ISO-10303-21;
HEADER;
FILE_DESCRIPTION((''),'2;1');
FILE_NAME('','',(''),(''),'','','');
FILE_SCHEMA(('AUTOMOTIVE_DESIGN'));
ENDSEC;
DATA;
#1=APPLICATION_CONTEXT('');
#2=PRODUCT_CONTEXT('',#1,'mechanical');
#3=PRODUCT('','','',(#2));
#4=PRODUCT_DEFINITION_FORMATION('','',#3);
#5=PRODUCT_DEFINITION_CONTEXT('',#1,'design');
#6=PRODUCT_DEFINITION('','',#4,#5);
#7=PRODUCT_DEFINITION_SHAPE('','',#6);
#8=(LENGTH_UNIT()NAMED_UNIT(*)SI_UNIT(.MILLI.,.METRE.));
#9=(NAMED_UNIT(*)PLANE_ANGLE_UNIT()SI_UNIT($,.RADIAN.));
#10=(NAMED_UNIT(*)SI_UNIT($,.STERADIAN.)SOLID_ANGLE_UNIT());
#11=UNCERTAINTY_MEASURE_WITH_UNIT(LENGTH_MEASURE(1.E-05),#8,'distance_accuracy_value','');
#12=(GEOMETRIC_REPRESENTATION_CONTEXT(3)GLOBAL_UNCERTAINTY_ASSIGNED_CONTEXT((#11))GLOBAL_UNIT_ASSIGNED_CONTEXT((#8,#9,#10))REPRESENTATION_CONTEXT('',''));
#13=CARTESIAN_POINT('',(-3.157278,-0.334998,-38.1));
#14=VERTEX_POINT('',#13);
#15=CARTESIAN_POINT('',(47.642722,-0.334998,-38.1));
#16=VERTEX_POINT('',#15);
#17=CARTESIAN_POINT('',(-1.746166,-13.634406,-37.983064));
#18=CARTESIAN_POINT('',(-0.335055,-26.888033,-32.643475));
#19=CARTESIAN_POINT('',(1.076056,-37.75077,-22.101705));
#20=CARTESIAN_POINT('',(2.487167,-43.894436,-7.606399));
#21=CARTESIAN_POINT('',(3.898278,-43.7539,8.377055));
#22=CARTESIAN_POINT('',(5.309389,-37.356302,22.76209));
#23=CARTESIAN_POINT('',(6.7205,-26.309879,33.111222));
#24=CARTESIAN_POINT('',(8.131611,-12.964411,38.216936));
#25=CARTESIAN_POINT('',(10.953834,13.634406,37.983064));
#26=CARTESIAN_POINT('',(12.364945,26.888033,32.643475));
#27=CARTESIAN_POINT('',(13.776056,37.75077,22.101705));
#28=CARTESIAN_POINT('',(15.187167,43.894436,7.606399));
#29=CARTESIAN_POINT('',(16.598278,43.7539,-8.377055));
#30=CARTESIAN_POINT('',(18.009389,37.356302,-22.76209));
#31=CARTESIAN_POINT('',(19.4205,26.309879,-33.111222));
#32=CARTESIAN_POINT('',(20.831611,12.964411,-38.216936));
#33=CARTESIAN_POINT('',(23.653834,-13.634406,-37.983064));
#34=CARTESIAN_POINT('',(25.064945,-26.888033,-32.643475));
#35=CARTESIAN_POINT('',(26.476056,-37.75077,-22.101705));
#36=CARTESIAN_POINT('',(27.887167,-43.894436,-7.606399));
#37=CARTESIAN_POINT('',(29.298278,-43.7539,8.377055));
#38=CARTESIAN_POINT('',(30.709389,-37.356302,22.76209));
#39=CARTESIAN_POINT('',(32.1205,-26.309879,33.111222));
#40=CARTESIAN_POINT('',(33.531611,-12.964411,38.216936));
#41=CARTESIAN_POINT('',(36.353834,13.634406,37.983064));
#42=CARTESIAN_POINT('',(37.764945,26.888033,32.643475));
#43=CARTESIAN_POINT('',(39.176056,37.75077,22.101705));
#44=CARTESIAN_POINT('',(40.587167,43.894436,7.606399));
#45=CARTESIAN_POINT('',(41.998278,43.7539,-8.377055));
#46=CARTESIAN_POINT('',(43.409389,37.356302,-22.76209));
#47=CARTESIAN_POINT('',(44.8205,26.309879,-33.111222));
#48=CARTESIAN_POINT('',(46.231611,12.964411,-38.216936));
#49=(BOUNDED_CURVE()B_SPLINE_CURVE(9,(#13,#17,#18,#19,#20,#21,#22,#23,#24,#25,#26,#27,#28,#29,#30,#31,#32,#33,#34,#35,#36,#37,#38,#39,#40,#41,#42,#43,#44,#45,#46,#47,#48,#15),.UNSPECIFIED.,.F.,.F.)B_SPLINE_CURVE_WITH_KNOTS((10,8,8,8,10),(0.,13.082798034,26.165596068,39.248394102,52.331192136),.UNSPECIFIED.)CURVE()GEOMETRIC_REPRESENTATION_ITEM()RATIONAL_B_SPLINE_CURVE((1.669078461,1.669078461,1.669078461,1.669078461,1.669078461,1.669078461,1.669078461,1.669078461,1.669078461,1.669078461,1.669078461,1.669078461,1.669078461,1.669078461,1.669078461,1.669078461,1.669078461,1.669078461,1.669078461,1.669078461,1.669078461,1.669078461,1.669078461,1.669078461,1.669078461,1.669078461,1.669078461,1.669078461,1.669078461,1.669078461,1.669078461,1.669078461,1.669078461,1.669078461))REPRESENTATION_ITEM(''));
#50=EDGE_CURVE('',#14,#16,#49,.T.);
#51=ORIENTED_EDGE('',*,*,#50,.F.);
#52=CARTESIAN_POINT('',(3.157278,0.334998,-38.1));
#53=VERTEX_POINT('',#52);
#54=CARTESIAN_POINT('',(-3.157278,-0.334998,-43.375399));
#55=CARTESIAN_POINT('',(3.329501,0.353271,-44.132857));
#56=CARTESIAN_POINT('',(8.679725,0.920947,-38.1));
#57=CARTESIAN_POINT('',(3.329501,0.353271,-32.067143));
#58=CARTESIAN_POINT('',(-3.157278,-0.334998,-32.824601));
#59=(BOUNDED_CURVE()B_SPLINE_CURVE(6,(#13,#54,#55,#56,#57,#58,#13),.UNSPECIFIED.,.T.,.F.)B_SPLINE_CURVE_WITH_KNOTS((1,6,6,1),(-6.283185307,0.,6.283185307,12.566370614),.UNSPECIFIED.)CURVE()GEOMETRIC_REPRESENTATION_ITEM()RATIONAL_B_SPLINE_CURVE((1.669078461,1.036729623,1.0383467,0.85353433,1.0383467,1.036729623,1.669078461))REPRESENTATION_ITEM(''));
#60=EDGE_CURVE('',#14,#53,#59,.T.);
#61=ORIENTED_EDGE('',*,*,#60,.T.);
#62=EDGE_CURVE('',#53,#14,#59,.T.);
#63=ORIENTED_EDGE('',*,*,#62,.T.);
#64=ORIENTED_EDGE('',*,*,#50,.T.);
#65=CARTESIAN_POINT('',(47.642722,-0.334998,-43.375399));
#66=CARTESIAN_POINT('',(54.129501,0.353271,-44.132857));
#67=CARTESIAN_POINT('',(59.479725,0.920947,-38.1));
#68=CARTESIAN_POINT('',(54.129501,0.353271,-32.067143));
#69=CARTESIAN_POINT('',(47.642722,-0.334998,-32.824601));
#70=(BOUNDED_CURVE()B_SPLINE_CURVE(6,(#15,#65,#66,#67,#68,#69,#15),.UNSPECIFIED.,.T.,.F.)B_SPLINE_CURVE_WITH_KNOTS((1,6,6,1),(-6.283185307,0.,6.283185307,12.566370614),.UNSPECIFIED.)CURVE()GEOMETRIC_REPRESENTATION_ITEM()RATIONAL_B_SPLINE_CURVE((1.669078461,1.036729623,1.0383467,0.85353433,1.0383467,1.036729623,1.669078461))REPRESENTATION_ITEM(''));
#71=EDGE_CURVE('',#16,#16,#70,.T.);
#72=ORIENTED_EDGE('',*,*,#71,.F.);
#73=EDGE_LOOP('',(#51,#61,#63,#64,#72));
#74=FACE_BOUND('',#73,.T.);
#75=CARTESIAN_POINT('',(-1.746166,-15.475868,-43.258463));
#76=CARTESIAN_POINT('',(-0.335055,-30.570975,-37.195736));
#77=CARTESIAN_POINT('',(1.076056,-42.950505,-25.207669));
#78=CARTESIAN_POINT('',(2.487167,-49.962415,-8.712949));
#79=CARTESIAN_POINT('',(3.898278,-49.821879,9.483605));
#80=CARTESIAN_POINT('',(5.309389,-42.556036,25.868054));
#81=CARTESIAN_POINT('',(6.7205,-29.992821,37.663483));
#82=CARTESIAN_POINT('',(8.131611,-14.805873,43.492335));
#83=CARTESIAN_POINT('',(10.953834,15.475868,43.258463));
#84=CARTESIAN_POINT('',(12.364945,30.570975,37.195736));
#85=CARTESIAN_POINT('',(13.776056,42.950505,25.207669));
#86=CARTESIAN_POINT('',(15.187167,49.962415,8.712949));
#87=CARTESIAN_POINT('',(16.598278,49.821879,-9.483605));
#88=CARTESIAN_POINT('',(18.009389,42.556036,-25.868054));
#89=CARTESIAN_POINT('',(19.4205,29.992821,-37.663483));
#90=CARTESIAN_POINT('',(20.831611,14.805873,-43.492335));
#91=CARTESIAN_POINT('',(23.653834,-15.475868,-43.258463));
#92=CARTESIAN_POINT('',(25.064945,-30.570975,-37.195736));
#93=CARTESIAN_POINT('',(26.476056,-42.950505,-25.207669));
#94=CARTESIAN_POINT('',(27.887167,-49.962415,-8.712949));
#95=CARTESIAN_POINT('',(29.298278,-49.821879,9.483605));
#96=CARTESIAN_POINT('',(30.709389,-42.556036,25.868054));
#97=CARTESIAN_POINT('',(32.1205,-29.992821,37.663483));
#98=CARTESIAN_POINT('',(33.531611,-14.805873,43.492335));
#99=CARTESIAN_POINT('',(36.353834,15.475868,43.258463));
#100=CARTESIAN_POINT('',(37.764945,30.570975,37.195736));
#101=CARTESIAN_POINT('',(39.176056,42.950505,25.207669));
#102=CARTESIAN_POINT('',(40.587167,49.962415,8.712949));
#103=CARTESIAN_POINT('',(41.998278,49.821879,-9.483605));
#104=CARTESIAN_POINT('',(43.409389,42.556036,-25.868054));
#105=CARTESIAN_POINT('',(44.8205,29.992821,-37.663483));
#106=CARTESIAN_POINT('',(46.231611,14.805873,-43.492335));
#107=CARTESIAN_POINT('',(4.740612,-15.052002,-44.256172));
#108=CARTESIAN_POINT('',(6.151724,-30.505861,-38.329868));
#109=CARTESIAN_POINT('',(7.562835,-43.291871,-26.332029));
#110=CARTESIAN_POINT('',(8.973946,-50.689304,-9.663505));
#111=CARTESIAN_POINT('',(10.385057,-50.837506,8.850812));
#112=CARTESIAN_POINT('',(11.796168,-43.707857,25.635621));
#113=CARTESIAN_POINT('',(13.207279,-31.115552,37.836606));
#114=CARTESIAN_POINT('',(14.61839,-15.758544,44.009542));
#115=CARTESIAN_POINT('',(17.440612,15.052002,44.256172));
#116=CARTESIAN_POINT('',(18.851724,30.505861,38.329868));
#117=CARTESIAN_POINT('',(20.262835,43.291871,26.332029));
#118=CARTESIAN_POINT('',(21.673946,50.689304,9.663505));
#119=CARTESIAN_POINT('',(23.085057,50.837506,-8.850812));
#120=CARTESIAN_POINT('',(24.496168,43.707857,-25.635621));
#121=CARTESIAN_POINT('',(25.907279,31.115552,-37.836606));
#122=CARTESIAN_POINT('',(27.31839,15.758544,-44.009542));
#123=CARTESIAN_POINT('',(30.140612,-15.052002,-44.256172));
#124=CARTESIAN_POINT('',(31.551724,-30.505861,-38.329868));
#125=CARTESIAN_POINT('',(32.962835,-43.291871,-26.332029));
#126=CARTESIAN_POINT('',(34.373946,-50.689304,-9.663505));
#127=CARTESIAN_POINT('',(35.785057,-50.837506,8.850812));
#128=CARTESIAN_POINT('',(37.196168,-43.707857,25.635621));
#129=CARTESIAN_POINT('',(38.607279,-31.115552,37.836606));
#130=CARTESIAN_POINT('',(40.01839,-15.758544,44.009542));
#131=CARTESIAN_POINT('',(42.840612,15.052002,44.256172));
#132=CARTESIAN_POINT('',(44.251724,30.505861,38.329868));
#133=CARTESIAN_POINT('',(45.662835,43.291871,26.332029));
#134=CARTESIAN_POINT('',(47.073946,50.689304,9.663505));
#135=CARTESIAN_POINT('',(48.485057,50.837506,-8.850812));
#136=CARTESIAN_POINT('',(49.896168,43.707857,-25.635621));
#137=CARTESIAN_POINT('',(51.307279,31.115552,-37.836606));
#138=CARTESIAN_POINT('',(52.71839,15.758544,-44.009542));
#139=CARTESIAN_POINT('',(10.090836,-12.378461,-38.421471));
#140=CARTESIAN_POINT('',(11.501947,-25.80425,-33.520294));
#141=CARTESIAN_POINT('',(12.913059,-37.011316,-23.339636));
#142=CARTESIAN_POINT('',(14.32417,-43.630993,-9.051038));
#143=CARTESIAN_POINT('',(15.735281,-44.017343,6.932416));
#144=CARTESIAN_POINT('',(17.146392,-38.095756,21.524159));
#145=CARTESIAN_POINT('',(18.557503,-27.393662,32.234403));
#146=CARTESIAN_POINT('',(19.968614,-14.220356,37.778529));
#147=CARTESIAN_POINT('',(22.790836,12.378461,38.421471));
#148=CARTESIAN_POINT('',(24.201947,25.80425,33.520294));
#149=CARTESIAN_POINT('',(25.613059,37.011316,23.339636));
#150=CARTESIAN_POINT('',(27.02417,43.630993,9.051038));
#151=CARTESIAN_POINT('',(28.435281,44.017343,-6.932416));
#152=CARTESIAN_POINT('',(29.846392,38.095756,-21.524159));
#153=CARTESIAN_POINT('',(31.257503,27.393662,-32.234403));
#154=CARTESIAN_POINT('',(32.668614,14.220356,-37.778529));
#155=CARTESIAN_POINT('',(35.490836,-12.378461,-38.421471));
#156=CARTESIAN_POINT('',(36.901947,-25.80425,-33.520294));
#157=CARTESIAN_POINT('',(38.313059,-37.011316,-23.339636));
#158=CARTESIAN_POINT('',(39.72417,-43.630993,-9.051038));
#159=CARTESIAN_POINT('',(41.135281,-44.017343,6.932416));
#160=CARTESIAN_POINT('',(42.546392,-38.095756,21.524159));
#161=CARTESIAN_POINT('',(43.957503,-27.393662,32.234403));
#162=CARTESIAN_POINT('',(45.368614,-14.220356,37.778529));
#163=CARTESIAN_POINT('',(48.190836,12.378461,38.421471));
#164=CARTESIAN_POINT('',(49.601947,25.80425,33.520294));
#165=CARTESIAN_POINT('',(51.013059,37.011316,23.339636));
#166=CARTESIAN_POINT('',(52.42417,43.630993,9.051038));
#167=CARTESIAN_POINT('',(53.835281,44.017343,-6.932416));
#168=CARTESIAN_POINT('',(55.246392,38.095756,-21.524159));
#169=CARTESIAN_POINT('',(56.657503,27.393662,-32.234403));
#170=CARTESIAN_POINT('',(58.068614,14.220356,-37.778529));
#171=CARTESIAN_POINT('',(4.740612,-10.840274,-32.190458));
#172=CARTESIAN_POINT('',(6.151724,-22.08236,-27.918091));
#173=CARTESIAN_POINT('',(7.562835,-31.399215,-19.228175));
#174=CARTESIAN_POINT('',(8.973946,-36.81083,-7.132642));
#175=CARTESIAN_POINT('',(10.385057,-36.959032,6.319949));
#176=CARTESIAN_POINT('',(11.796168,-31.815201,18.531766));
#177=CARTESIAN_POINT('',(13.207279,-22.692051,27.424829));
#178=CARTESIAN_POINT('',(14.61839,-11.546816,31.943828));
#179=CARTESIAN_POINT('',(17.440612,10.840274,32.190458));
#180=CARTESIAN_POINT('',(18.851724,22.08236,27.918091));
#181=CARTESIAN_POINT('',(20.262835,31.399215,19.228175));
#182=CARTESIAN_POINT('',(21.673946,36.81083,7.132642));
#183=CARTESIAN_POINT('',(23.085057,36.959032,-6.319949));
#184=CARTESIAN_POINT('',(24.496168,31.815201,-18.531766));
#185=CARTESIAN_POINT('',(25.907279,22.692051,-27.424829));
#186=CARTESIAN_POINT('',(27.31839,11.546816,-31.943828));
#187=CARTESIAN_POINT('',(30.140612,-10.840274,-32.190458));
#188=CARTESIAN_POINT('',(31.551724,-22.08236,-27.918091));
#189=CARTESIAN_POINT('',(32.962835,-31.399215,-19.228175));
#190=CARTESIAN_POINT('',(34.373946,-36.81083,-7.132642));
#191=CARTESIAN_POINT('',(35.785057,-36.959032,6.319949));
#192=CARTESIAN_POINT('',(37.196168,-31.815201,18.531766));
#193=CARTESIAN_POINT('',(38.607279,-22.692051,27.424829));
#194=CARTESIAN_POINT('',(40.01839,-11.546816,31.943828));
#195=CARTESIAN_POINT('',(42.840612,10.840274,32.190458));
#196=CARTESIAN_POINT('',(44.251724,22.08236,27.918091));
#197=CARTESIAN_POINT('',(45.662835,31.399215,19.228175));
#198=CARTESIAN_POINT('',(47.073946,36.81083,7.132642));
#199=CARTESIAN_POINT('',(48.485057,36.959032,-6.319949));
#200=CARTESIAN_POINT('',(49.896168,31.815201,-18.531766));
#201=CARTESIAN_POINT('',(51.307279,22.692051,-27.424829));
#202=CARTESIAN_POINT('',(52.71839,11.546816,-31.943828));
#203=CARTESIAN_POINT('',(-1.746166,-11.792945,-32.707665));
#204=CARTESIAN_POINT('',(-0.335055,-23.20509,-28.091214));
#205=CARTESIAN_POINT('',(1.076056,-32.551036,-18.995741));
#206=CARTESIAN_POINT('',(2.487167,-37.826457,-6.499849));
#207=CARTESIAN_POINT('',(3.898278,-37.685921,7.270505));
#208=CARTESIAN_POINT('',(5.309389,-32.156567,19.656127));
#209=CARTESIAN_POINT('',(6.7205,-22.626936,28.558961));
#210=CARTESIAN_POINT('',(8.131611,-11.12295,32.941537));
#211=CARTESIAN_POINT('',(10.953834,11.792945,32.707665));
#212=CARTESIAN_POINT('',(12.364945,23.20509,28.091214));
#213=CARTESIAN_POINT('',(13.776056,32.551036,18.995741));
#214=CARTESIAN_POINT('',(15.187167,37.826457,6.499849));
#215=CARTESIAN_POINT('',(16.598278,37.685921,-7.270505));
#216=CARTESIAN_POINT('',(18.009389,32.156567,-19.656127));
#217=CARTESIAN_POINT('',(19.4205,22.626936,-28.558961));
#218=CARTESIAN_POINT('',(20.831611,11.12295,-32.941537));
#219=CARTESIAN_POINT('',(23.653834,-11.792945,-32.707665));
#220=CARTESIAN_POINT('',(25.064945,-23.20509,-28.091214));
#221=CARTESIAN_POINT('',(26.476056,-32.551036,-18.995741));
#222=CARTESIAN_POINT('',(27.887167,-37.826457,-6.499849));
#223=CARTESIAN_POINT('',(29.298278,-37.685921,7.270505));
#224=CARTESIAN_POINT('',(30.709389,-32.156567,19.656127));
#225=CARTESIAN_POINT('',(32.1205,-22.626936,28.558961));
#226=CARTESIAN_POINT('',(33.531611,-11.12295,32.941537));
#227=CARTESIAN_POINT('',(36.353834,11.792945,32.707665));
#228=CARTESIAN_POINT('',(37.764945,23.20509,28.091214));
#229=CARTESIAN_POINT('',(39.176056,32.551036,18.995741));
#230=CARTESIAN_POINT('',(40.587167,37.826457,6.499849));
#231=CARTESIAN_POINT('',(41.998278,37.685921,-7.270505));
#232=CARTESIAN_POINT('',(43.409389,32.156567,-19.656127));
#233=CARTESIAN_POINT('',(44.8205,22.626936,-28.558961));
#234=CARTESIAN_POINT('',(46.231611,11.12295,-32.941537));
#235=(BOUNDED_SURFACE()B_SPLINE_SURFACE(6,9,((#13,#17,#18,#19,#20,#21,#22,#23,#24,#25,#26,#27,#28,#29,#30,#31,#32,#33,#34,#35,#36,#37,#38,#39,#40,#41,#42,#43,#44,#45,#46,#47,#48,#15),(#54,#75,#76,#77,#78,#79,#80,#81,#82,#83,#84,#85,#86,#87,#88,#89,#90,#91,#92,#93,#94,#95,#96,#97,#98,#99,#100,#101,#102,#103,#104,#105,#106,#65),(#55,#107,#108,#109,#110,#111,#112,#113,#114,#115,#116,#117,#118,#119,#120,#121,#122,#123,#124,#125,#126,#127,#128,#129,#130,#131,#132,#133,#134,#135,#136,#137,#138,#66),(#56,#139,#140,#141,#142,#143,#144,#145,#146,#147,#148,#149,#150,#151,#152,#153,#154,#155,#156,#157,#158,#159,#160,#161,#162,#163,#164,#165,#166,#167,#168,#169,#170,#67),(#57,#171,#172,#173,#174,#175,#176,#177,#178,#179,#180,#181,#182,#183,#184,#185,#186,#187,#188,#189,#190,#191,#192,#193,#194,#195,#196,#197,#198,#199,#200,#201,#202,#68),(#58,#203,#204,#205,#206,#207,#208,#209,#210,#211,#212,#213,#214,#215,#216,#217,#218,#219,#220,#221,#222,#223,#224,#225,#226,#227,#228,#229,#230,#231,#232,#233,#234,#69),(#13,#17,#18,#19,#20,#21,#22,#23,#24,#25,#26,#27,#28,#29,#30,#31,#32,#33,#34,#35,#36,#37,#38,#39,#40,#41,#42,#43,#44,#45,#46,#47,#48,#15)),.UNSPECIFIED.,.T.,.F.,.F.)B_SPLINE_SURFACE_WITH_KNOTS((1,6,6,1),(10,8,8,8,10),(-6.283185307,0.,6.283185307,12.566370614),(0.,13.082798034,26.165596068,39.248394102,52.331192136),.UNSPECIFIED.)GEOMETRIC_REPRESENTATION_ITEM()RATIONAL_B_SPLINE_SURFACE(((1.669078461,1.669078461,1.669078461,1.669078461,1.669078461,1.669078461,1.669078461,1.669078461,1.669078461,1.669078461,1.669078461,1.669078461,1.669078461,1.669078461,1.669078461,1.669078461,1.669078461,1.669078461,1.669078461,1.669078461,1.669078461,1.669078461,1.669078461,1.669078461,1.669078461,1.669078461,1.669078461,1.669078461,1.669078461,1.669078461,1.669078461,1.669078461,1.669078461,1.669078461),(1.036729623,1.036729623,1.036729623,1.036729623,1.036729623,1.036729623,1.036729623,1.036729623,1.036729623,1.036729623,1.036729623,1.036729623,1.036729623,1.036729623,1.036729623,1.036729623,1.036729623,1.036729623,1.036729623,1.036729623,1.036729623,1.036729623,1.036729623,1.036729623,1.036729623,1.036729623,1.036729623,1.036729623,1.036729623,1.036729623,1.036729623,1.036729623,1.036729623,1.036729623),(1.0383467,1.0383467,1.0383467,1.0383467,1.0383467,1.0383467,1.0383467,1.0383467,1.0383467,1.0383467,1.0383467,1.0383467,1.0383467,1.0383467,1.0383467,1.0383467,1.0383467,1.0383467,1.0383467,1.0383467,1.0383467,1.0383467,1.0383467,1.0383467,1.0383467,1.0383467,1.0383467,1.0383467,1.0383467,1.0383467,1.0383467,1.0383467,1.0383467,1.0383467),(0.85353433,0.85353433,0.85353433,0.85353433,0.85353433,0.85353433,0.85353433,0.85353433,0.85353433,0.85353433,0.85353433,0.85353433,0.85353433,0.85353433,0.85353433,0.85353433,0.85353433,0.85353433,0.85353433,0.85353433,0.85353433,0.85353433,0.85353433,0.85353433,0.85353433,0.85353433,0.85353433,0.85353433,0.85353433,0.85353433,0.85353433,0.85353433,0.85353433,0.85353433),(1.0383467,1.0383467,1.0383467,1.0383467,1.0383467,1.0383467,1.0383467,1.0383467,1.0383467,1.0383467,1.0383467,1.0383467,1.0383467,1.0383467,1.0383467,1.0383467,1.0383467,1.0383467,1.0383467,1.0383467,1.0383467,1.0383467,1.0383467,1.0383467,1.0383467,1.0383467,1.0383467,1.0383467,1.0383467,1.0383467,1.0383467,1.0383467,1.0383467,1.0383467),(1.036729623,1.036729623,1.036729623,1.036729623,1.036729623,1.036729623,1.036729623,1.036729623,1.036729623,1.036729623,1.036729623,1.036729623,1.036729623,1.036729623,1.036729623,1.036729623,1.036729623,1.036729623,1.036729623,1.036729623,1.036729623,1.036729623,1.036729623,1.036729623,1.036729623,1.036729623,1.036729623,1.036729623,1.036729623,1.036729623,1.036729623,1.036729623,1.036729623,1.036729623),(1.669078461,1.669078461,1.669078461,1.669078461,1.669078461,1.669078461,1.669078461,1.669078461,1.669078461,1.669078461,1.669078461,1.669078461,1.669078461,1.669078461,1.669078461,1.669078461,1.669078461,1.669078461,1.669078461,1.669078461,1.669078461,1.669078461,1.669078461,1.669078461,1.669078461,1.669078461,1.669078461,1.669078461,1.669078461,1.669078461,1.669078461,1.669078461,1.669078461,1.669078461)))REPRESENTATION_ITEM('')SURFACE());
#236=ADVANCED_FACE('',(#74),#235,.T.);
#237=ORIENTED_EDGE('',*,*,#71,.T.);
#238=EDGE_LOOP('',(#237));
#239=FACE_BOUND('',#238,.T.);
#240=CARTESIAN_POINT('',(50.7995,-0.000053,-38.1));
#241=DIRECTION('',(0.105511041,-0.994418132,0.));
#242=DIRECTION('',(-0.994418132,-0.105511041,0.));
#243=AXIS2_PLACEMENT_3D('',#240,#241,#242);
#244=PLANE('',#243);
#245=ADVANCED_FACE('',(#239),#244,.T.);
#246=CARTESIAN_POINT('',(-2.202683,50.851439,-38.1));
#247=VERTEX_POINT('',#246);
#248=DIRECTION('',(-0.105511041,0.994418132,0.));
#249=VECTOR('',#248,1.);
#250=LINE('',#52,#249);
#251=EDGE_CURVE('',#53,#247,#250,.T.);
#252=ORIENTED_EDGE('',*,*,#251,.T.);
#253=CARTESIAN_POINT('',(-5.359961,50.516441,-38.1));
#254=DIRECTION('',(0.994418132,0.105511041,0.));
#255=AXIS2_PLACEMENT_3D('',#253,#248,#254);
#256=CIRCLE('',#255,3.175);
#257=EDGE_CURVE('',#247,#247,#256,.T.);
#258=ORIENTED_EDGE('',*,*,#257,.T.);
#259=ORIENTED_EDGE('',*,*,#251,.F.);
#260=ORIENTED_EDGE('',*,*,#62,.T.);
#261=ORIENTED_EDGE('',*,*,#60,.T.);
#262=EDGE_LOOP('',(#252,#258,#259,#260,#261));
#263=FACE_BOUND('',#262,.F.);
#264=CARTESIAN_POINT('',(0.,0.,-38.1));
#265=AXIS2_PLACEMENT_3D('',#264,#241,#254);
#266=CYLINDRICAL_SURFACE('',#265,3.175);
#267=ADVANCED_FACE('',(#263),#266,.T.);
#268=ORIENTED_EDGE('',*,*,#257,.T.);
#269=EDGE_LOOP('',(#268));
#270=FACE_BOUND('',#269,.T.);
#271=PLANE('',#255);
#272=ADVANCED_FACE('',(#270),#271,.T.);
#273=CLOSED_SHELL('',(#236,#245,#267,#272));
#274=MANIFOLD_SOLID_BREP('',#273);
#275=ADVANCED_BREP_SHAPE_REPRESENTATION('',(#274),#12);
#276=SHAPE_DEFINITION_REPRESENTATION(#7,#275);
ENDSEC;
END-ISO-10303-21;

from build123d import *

# Parameters (mm, degrees)
SWEEP1_PITCH        = 25.4
SWEEP1_HEIGHT       = 50.8
SWEEP1_RADIUS       = 38.1
SWEEP1_START_ANGLE  = 180
SWEEP1_PROFILE_R    = 3.175
SKETCH11_R          = 3.175
BOSS_EXTRUDE1_DEPTH = 50.8


with BuildPart() as part:
    # Sweep1: sweep along a helix
    with BuildLine() as sweep1_path:
        add(Helix(SWEEP1_PITCH, SWEEP1_HEIGHT, SWEEP1_RADIUS, center=(0, 0, 0), direction=(1, 0, 0), lefthand=True, mode=Mode.PRIVATE).rotate(Axis((0, 0, 0), (1, 0, 0)), SWEEP1_START_ANGLE))
    # Sweep1 profile (on start of the path) → Sweep1 (sweep)
    with BuildSketch(Plane(origin=(0, 0, -38.1), x_dir=(-0.994418131511646, -0.10551104075349951, 0), z_dir=(0.10551104075349951, -0.994418131511646, 4.5442880229577413e-13))):
        Circle(SWEEP1_PROFILE_R)
    sweep(path=sweep1_path.line, is_frenet=True)

    # Sketch11 → Boss-Extrude1 (add)
    with BuildSketch(Plane(origin=(0, 0, 0), x_dir=(0.9944181315116436, 0.1055110407535228, 0), z_dir=(-0.10551104075352281, 0.9944181315116437, 0))):
        with Locations((0, 38.1)):
            Circle(SKETCH11_R)
    extrude(amount=BOSS_EXTRUDE1_DEPTH)


solid = part.part
